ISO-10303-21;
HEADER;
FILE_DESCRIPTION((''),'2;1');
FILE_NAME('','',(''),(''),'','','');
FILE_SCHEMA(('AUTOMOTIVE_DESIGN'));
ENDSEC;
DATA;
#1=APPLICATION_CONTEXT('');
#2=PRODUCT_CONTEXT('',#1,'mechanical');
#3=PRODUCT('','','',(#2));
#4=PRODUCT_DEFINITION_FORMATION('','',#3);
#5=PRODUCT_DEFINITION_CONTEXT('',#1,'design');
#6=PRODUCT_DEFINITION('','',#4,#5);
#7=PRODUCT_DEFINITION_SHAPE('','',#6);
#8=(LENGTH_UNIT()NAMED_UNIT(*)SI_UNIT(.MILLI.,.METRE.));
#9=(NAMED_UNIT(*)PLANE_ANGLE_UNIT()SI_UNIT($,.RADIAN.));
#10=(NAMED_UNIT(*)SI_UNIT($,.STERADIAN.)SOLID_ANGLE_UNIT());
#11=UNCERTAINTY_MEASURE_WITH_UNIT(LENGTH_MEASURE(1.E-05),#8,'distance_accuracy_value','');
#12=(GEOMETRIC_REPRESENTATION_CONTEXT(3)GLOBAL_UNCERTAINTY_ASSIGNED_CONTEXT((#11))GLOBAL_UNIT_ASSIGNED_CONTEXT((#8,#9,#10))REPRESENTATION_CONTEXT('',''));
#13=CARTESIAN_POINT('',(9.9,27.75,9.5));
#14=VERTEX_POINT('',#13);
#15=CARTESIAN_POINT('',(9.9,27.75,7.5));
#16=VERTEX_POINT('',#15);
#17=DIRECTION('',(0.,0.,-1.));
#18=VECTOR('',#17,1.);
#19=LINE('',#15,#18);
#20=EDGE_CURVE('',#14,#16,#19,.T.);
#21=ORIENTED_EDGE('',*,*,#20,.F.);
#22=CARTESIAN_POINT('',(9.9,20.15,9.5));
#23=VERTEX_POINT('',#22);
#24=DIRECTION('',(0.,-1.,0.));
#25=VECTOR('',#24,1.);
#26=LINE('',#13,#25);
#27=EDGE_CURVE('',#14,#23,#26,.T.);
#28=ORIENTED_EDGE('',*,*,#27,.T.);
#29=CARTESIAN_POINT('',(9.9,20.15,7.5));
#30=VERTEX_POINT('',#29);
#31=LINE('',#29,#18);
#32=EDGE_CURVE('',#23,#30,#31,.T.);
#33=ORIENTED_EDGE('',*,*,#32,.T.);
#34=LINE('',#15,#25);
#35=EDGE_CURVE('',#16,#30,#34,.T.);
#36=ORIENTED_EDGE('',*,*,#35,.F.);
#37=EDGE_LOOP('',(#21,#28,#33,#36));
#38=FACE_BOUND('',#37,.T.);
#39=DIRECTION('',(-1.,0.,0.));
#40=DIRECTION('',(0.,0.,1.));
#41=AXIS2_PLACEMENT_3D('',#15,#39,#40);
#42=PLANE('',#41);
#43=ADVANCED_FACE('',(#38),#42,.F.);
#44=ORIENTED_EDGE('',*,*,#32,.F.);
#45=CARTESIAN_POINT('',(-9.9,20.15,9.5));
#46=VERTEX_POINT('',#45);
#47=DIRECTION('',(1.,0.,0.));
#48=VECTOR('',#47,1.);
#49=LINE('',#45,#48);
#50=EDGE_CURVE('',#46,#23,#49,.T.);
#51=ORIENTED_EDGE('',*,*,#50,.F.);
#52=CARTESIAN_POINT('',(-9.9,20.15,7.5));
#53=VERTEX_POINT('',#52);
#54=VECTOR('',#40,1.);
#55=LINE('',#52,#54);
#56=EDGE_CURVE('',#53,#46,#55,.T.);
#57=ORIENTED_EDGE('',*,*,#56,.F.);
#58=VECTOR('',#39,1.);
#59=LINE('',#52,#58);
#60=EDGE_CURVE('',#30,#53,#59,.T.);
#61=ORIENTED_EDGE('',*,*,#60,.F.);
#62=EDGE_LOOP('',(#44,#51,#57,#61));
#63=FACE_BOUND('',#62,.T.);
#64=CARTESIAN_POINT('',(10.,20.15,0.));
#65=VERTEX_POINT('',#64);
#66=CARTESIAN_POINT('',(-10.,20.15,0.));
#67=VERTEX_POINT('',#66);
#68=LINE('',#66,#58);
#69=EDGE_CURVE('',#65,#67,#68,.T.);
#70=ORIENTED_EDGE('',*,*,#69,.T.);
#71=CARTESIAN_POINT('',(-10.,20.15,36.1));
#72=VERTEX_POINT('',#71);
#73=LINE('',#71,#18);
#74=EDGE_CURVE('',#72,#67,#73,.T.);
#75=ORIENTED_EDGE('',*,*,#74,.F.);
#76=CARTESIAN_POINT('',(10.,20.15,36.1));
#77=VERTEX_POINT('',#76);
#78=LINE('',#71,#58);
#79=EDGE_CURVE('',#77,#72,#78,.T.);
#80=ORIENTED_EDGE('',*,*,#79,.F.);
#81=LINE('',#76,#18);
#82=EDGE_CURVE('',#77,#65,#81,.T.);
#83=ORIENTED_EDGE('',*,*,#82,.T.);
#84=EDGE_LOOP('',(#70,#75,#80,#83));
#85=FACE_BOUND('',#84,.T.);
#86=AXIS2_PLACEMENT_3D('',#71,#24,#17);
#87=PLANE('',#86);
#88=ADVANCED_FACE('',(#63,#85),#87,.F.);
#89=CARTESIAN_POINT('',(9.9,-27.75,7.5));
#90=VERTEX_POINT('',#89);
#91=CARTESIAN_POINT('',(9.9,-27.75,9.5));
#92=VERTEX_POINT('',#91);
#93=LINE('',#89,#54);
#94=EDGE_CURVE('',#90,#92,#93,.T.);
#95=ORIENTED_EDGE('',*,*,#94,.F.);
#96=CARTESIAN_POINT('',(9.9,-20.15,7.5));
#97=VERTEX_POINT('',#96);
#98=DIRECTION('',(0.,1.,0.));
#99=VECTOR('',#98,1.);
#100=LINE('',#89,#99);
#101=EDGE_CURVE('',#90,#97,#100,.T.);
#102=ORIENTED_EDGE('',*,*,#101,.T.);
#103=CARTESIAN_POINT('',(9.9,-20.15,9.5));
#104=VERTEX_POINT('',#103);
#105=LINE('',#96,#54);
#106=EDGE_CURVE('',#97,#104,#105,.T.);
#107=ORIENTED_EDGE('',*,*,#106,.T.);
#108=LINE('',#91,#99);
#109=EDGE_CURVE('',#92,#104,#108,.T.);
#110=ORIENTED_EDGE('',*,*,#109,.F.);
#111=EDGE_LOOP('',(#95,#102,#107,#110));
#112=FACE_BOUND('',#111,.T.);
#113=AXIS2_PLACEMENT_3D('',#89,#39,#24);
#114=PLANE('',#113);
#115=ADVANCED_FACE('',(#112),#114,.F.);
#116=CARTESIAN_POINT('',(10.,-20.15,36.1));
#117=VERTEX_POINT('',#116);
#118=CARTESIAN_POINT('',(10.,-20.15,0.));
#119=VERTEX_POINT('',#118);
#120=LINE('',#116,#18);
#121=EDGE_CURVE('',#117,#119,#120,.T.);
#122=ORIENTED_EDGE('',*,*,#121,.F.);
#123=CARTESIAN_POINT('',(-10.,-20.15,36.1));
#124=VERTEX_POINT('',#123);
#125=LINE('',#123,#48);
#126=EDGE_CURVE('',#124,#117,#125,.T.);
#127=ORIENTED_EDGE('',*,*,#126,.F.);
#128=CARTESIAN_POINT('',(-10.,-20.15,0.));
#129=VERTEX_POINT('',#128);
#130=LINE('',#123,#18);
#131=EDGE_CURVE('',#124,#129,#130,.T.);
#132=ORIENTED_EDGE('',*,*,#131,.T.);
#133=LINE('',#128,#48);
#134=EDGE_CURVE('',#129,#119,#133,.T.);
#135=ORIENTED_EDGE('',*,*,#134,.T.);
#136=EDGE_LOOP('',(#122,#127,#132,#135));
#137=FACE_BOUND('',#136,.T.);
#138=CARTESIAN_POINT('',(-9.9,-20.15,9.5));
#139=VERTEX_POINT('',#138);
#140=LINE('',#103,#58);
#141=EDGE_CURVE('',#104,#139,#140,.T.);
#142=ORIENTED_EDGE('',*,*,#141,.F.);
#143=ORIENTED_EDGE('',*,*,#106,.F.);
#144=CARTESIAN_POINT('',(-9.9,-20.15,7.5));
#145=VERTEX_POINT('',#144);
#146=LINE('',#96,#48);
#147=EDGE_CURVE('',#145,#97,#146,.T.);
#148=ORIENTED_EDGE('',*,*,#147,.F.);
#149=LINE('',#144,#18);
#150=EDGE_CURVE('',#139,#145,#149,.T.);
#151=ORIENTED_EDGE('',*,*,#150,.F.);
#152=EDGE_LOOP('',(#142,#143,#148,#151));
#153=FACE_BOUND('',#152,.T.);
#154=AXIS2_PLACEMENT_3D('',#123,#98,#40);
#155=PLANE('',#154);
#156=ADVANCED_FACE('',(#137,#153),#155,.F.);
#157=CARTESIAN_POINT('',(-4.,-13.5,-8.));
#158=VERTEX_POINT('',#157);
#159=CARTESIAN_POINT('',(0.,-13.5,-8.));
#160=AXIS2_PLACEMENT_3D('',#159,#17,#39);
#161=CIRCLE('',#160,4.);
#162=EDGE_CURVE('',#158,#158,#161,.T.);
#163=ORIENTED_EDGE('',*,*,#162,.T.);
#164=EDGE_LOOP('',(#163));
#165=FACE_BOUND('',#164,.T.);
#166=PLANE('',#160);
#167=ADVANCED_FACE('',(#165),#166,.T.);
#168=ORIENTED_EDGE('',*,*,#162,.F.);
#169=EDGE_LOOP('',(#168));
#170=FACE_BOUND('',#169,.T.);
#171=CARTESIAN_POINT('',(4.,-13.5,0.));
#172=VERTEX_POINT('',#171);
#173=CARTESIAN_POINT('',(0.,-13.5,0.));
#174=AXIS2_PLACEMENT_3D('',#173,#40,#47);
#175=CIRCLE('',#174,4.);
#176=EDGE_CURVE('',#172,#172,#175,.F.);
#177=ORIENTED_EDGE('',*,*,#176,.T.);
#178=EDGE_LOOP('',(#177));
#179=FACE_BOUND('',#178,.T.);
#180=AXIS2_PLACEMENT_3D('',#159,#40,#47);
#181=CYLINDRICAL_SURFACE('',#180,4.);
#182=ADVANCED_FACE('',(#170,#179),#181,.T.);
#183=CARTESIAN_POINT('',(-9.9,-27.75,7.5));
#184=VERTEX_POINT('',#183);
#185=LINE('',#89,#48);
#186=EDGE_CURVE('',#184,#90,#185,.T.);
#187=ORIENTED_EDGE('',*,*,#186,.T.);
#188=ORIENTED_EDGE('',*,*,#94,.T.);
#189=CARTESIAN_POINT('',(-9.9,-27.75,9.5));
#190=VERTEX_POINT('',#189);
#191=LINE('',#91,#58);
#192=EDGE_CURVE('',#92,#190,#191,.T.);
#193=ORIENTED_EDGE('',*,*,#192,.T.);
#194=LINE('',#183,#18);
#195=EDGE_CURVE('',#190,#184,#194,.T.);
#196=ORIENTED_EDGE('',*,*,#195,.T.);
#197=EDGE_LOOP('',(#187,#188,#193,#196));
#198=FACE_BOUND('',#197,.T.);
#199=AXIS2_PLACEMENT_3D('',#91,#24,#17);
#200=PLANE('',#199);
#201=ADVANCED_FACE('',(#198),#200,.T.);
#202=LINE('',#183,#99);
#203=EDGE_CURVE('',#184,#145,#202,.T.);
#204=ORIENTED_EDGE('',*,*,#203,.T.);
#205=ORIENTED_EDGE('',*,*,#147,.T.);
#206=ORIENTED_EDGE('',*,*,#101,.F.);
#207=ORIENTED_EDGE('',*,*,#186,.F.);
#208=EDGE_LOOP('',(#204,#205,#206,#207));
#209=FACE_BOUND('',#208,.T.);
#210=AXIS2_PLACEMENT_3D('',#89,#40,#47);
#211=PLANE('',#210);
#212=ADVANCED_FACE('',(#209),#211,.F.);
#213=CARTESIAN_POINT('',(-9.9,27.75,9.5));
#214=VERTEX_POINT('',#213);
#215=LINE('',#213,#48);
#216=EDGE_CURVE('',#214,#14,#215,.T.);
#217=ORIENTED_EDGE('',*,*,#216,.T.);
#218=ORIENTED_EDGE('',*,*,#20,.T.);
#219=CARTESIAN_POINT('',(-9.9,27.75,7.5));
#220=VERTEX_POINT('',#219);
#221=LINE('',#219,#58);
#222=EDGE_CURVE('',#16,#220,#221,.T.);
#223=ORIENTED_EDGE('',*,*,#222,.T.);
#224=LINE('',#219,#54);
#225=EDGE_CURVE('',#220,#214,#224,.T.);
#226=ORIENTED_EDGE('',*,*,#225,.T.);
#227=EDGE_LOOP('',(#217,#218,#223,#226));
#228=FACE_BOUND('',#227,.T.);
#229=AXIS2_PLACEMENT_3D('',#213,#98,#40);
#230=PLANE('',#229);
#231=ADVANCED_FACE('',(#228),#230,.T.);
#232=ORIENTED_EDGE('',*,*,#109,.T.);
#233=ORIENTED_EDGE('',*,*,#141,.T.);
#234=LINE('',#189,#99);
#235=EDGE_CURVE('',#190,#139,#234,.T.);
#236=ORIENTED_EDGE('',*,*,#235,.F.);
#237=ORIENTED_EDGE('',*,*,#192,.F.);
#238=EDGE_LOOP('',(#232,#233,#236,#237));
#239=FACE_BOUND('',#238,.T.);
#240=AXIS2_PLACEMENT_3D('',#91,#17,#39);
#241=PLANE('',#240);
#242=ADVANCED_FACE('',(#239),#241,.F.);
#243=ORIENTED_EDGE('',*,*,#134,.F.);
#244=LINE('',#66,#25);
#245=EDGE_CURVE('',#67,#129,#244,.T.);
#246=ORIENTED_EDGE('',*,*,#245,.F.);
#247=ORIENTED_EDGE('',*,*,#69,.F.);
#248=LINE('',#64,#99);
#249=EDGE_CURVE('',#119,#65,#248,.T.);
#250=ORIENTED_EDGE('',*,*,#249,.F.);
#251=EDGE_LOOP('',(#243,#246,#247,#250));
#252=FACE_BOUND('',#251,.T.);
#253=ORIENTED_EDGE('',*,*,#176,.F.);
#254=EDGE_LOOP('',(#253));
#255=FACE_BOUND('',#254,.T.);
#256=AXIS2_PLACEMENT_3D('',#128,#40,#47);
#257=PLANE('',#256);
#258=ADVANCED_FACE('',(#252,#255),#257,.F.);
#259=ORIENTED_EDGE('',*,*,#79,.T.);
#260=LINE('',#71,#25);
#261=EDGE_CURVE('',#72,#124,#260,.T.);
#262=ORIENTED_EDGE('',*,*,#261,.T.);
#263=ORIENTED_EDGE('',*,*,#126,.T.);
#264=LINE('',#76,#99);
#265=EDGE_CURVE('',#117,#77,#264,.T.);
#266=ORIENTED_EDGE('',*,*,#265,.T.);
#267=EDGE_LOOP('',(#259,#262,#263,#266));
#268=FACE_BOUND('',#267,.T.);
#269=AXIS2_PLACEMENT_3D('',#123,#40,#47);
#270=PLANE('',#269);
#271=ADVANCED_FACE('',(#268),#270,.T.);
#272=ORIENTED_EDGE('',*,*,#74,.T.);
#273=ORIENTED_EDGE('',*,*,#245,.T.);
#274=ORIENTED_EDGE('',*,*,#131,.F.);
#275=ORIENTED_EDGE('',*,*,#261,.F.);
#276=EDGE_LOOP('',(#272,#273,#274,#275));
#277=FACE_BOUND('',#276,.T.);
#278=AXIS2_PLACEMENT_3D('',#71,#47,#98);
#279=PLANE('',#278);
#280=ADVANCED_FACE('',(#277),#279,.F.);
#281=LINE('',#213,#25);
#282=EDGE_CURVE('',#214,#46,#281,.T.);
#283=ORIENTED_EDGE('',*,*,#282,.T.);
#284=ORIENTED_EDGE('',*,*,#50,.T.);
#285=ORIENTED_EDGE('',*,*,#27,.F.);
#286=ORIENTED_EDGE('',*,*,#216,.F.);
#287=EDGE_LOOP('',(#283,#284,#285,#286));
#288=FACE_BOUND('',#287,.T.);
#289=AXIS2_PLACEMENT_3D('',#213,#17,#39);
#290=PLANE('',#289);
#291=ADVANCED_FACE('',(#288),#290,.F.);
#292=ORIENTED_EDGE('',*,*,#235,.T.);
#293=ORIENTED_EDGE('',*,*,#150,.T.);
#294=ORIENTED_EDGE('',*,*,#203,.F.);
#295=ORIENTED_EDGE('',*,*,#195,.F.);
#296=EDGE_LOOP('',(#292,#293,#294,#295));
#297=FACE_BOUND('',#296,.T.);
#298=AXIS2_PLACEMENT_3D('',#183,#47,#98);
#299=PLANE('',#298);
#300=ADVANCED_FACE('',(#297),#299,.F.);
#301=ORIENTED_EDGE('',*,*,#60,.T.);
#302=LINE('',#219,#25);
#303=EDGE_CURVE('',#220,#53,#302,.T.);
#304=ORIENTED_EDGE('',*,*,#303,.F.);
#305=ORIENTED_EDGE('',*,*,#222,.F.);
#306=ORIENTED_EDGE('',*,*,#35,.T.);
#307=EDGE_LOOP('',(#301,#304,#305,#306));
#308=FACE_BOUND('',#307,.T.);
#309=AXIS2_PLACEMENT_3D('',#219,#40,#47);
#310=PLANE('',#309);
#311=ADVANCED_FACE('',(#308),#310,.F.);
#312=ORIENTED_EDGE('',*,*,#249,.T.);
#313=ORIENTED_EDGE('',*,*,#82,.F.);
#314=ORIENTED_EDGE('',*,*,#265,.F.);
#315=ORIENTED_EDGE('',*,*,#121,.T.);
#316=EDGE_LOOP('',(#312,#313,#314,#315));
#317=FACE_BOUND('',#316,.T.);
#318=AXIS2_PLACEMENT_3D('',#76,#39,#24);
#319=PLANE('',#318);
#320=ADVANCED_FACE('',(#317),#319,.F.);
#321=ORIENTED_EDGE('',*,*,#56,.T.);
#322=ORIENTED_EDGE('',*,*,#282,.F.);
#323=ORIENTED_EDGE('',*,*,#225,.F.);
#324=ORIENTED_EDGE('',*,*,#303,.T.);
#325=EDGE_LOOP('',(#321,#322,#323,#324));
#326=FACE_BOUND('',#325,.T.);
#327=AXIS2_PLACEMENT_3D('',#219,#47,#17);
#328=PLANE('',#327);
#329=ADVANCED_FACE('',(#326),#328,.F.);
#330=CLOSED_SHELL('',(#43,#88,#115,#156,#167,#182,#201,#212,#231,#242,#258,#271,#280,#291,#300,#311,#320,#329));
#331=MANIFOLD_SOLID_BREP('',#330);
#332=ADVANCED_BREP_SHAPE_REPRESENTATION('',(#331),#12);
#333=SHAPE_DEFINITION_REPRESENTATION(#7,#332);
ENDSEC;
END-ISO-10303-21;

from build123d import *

# Parameters (mm, degrees)
ESQUISSE1_W        = 20
ESQUISSE1_H        = 40.3
BOSS_EXTRU_1_DEPTH = 36.1
ESQUISSE3_W        = 19.8
ESQUISSE3_H        = 2
BOSS_EXTRU_3_DEPTH = 7.6
ESQUISSE5_W        = 19.8
ESQUISSE5_H        = 2
BOSS_EXTRU_4_DEPTH = 7.6
ESQUISSE6_R        = 4
BOSS_EXTRU_5_DEPTH = 8


with BuildPart() as part:
    # Esquisse1 → Boss.-Extru.1 (new body)
    with BuildSketch(Plane.XY):
        Rectangle(ESQUISSE1_W, ESQUISSE1_H)
    extrude(amount=BOSS_EXTRU_1_DEPTH)

    # Esquisse3 → Boss.-Extru.3 (add)
    with BuildSketch(Plane(origin=(-10, -20.15, 0), x_dir=(1, 0, 0), z_dir=(0, -1, 0))):
        with Locations((10, 8.5)):
            Rectangle(ESQUISSE3_W, ESQUISSE3_H)
    extrude(amount=BOSS_EXTRU_3_DEPTH)

    # Esquisse5 → Boss.-Extru.4 (add)
    with BuildSketch(Plane(origin=(0, 20.15, 0), x_dir=(1, 0, 0), z_dir=(0, 1, 0))):
        with Locations((0, -8.5)):
            Rectangle(ESQUISSE5_W, ESQUISSE5_H)
    extrude(amount=BOSS_EXTRU_4_DEPTH)

    # Esquisse6 → Boss.-Extru.5 (add)
    with BuildSketch(Plane(origin=(0, 0, 0), x_dir=(-1, 0, 0), z_dir=(0, 0, -1))):
        with Locations(Location((0, -13.5, 0), (0, 0, 180))):  # turned: the seam where the file's is
            Circle(ESQUISSE6_R)
    extrude(amount=BOSS_EXTRU_5_DEPTH)


solid = part.part
